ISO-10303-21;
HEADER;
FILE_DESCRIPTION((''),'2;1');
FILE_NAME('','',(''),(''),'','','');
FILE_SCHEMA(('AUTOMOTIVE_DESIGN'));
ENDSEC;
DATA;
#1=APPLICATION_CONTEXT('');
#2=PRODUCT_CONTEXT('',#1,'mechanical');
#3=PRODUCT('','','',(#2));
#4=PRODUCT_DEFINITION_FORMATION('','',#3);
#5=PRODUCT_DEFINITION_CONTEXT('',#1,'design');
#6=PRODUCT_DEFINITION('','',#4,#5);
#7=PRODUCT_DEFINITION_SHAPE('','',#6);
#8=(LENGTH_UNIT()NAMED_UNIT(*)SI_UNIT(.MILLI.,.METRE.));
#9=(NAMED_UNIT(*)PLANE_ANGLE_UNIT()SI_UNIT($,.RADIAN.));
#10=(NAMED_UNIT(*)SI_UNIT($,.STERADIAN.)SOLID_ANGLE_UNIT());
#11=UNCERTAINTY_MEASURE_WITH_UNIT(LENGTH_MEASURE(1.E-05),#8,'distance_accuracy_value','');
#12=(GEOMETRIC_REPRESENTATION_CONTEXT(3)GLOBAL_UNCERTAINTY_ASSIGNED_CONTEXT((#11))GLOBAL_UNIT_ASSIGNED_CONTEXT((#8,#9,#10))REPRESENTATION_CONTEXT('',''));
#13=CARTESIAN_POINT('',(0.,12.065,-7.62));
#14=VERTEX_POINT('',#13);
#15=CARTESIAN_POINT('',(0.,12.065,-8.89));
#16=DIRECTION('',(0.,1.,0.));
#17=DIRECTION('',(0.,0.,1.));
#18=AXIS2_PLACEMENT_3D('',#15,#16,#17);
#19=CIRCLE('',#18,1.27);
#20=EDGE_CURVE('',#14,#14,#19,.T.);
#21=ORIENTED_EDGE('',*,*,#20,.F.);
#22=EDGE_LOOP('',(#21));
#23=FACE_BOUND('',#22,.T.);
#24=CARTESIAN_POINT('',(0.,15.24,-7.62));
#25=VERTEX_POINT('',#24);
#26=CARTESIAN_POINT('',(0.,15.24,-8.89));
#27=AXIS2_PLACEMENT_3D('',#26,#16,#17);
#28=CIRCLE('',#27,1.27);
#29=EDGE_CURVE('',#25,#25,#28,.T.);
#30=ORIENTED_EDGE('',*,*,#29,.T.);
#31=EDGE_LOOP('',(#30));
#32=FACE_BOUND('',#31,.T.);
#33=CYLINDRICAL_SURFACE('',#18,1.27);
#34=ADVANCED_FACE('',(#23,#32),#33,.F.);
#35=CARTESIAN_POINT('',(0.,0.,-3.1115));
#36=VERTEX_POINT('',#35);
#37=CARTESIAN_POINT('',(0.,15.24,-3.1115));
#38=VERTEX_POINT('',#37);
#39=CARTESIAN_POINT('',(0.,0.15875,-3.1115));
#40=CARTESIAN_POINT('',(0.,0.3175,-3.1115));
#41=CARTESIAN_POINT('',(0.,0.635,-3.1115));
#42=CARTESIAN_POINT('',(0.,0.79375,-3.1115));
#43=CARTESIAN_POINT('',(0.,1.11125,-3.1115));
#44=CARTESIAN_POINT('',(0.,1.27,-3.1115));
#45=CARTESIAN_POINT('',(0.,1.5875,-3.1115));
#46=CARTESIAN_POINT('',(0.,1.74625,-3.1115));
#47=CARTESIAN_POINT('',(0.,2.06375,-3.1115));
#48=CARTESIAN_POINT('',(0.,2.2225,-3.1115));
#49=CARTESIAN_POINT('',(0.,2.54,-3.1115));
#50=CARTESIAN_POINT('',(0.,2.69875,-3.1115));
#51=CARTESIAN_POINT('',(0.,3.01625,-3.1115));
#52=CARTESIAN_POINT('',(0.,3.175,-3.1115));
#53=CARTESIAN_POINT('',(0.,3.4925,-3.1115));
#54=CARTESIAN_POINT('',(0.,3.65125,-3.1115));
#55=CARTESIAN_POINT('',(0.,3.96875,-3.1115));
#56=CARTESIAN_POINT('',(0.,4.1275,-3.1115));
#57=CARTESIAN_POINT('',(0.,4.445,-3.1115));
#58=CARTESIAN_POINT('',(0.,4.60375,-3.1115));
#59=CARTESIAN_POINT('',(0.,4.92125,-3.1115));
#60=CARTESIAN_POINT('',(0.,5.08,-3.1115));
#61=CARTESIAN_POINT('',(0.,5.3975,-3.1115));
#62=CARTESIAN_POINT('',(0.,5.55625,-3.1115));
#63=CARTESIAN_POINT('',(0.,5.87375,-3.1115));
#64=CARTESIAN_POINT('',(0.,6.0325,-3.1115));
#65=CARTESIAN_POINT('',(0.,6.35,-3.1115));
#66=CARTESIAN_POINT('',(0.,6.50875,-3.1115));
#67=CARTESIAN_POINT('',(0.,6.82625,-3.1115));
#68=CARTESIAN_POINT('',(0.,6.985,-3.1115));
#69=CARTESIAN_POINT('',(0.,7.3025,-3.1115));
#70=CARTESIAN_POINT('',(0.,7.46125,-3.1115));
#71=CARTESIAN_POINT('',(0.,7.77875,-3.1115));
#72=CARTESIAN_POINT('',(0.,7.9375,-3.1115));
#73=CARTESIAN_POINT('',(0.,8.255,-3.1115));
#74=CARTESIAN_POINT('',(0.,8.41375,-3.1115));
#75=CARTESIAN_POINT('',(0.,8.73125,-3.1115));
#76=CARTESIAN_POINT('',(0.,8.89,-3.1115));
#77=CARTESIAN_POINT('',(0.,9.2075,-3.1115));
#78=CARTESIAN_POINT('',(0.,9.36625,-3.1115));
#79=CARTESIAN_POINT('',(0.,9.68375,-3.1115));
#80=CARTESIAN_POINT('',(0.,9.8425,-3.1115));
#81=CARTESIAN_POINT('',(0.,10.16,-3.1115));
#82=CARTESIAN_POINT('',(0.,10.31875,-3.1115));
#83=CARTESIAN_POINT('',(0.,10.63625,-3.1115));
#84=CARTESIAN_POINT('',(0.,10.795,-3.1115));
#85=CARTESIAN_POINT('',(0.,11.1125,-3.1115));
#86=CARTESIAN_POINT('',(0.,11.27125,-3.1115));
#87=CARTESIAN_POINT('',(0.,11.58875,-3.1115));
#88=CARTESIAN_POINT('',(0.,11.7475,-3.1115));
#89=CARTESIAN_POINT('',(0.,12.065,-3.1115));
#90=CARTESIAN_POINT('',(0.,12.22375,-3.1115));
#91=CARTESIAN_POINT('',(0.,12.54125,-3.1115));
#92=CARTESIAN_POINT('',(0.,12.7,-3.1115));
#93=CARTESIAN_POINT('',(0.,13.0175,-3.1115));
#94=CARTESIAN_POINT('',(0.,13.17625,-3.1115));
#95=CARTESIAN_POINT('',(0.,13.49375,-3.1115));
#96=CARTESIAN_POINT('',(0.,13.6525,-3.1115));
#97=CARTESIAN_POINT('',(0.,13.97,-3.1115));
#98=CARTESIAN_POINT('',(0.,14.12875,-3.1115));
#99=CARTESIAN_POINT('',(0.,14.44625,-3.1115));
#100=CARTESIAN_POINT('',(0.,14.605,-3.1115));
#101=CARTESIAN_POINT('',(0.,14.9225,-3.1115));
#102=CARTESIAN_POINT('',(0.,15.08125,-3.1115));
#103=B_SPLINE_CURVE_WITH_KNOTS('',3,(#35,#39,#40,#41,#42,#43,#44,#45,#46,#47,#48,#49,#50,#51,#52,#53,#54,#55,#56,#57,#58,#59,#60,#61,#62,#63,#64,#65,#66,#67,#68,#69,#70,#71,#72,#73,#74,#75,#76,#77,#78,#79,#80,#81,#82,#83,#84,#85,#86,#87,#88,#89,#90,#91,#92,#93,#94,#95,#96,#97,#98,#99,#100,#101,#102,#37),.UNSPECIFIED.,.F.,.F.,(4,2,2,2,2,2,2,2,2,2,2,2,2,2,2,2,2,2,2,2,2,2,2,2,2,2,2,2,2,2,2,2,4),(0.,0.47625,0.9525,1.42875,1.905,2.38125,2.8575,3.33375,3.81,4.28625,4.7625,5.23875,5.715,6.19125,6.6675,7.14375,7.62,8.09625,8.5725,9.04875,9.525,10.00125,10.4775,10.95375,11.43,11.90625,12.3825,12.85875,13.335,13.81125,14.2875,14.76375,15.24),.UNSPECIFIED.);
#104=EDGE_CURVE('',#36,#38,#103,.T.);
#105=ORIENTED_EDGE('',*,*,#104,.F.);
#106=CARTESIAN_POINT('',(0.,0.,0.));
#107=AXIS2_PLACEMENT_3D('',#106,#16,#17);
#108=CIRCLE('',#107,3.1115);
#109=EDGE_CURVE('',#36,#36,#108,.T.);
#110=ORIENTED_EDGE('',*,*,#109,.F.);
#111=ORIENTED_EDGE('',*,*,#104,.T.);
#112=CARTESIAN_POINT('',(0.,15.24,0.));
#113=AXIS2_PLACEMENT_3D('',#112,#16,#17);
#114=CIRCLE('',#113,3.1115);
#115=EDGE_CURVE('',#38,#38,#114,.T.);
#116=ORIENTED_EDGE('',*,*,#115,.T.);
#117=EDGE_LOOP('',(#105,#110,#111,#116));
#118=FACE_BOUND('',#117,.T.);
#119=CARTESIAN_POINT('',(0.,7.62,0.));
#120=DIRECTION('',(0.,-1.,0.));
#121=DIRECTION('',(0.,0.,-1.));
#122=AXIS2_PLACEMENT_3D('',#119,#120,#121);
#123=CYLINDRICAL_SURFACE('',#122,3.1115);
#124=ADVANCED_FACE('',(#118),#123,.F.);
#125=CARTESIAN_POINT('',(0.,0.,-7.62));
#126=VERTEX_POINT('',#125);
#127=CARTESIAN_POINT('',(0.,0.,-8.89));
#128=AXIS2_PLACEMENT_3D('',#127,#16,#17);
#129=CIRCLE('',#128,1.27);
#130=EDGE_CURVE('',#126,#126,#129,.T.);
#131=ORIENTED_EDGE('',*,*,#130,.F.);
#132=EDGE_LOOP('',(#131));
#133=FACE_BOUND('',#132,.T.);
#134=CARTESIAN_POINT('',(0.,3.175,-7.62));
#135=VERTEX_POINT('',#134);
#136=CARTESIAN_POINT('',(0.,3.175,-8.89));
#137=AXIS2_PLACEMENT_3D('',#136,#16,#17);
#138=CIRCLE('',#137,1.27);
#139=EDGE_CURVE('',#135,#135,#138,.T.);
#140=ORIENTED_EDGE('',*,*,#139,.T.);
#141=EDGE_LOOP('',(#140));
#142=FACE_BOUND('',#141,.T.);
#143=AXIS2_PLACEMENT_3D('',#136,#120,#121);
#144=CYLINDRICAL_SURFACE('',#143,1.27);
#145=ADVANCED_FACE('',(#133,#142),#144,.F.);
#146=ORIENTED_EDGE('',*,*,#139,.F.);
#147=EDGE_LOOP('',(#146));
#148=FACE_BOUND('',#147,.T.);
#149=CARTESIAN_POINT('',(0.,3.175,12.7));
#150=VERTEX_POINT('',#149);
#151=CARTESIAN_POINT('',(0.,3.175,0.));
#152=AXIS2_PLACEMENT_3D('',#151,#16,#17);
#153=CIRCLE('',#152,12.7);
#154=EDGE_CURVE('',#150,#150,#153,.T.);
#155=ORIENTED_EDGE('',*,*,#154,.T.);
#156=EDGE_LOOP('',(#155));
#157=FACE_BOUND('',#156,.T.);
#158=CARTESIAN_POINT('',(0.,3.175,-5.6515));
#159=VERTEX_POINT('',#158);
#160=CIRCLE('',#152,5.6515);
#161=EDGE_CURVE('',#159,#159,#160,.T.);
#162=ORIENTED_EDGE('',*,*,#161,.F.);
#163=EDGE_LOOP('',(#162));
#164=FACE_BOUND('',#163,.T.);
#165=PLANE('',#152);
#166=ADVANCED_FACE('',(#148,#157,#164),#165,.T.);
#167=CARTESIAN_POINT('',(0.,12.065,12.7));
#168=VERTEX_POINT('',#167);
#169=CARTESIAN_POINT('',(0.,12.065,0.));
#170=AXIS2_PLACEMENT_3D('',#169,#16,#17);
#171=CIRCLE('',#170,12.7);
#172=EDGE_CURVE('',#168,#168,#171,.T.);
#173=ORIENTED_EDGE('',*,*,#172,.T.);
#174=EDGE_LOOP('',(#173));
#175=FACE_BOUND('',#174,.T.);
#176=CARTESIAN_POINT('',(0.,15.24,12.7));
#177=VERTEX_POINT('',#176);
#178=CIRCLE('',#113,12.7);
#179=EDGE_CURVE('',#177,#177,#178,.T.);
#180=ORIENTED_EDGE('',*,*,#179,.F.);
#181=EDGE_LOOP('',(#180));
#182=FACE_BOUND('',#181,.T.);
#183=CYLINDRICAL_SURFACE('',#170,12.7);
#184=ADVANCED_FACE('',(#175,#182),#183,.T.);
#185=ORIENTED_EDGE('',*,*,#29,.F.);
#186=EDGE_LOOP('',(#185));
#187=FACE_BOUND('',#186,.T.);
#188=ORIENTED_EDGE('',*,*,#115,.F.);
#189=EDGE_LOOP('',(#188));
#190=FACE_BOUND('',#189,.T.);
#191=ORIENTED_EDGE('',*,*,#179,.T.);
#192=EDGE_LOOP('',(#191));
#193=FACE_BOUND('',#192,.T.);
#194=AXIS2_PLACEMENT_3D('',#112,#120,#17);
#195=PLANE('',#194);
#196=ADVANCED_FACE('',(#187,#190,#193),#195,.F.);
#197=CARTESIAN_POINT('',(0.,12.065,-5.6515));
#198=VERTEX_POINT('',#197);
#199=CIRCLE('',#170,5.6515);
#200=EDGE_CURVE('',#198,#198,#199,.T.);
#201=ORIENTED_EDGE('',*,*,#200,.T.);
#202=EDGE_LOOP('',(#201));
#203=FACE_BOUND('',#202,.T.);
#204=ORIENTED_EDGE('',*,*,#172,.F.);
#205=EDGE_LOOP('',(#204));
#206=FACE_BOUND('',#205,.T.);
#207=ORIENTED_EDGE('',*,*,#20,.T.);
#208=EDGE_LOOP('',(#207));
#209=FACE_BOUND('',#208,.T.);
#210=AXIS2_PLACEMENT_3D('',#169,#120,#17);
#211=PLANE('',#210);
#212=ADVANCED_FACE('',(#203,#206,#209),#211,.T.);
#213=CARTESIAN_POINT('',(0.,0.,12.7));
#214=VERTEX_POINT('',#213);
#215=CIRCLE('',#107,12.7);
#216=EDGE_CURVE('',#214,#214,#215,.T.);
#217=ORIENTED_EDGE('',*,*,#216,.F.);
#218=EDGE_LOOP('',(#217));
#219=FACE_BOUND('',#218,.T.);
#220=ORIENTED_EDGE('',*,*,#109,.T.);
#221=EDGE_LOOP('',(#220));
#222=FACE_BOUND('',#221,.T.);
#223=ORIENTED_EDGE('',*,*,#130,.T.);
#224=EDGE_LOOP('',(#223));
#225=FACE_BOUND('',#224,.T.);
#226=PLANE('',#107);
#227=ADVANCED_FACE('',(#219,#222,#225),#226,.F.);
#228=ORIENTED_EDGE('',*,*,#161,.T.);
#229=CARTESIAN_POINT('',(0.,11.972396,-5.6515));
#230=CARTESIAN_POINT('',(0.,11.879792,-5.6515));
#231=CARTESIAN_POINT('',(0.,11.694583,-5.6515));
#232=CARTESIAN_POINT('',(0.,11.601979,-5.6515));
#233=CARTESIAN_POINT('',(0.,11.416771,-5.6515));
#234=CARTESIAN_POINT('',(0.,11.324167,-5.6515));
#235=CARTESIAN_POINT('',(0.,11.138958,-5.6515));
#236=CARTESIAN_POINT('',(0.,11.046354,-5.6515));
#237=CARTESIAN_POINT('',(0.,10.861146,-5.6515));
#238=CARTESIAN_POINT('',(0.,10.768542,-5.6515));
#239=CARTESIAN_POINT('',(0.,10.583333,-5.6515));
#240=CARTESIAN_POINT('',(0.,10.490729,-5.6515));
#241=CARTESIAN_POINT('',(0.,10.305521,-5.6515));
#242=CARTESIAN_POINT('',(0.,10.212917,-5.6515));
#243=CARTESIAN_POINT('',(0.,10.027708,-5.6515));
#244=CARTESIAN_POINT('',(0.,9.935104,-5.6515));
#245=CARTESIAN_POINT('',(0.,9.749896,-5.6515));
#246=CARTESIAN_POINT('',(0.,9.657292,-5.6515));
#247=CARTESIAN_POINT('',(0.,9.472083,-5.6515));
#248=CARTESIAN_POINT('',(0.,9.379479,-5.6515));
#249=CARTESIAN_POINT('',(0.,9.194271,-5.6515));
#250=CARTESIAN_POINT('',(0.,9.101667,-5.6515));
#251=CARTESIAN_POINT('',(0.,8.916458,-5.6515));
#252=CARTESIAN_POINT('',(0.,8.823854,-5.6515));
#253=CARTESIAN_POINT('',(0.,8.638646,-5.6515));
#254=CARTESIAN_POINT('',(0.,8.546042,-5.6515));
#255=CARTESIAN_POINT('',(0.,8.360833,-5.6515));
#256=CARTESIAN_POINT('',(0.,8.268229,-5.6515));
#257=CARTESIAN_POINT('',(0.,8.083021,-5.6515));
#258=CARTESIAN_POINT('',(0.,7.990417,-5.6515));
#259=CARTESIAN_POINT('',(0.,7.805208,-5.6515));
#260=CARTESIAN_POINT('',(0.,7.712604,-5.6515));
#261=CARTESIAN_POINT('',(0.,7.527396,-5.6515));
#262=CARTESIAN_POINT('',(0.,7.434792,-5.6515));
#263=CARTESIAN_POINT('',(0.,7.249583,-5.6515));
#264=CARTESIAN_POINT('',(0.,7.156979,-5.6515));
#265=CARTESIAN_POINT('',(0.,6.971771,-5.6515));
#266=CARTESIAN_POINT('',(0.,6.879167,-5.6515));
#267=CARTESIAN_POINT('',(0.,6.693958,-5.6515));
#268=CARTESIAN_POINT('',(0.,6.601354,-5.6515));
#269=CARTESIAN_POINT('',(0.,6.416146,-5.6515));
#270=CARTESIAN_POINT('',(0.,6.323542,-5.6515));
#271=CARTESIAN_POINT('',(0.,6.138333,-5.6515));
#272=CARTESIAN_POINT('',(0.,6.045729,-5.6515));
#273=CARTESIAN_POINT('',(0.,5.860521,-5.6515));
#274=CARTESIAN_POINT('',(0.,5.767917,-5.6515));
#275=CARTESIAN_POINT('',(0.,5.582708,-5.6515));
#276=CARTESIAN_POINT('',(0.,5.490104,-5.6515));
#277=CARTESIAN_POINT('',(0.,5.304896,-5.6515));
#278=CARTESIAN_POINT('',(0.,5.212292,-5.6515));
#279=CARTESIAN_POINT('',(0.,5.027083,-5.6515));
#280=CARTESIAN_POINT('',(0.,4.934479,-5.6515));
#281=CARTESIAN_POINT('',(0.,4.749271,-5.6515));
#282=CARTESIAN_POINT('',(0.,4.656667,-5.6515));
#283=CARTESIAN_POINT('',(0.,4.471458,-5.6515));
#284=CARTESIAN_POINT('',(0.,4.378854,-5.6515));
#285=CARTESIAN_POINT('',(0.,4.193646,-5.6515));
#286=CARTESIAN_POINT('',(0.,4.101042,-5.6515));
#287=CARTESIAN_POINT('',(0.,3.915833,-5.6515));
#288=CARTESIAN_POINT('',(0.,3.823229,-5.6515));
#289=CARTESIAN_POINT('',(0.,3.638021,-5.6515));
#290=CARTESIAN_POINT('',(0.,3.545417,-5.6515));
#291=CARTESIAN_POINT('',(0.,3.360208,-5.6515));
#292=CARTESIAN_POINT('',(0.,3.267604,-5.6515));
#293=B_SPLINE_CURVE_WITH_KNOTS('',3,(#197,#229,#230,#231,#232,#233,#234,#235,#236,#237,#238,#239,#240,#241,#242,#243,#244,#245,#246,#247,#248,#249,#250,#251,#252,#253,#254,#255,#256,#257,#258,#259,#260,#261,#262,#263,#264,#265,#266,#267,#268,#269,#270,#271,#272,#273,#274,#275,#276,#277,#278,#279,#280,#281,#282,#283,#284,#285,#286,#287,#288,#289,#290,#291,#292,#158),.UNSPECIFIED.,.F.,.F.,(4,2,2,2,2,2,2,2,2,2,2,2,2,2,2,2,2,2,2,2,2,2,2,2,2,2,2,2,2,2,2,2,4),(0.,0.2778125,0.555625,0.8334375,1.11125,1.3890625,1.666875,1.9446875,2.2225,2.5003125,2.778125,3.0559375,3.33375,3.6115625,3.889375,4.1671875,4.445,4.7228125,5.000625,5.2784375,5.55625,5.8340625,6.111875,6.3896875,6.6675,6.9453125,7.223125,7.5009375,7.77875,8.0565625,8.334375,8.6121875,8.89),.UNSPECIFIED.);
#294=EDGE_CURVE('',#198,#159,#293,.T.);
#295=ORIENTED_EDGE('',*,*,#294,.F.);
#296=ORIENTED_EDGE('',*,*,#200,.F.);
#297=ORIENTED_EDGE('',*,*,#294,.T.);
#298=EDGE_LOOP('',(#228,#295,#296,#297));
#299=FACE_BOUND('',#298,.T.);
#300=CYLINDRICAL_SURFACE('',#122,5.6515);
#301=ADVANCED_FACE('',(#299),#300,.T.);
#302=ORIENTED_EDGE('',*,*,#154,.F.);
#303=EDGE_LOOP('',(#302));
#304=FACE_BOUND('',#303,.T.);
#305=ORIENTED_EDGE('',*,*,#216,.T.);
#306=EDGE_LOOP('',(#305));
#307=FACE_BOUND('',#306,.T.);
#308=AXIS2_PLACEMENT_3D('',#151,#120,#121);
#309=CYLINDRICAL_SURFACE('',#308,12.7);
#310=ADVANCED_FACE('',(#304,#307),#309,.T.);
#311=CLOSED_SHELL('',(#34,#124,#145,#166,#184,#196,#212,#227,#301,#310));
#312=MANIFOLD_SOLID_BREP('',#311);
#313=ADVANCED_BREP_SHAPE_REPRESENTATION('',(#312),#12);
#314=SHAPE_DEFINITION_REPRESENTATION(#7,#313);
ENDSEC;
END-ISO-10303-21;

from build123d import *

# Parameters (mm, degrees)
SKETCH1_R           = 5.6515
SKETCH1_R_2         = 3.1115
BOSS_EXTRUDE1_DEPTH = 7.62
SKETCH1_4_R         = 12.7
SKETCH1_4_R_2       = 5.6515
SKETCH1_4_R_3       = 1.27
BOSS_EXTRUDE2_DEPTH = 3.175


with BuildPart() as part:
    # Sketch1 → Boss-Extrude1 (new body)
    with BuildSketch(Plane(origin=(0, 0, 0), x_dir=(1, 0, 0), z_dir=(0, 1, 0))):
        Circle(SKETCH1_R)
        Circle(SKETCH1_R_2, mode=Mode.SUBTRACT)
    boss_extrude1 = extrude(amount=BOSS_EXTRUDE1_DEPTH)

    # Sketch1<4> → Boss-Extrude2 (add)
    with BuildSketch(Plane(origin=(0, 0, 0), x_dir=(1, 0, 0), z_dir=(0, 1, 0))):
        Circle(SKETCH1_4_R)
        Circle(SKETCH1_4_R_2, mode=Mode.SUBTRACT)
        with Locations((0, 8.89)):
            Circle(SKETCH1_4_R_3, mode=Mode.SUBTRACT)
    boss_extrude2 = extrude(amount=BOSS_EXTRUDE2_DEPTH)

    # Mirror1: Boss-Extrude1, Boss-Extrude2 across plane
    add(boss_extrude1.mirror(Plane.ZX.offset(7.62)))
    add(boss_extrude2.mirror(Plane.ZX.offset(7.62)))


solid = part.part
